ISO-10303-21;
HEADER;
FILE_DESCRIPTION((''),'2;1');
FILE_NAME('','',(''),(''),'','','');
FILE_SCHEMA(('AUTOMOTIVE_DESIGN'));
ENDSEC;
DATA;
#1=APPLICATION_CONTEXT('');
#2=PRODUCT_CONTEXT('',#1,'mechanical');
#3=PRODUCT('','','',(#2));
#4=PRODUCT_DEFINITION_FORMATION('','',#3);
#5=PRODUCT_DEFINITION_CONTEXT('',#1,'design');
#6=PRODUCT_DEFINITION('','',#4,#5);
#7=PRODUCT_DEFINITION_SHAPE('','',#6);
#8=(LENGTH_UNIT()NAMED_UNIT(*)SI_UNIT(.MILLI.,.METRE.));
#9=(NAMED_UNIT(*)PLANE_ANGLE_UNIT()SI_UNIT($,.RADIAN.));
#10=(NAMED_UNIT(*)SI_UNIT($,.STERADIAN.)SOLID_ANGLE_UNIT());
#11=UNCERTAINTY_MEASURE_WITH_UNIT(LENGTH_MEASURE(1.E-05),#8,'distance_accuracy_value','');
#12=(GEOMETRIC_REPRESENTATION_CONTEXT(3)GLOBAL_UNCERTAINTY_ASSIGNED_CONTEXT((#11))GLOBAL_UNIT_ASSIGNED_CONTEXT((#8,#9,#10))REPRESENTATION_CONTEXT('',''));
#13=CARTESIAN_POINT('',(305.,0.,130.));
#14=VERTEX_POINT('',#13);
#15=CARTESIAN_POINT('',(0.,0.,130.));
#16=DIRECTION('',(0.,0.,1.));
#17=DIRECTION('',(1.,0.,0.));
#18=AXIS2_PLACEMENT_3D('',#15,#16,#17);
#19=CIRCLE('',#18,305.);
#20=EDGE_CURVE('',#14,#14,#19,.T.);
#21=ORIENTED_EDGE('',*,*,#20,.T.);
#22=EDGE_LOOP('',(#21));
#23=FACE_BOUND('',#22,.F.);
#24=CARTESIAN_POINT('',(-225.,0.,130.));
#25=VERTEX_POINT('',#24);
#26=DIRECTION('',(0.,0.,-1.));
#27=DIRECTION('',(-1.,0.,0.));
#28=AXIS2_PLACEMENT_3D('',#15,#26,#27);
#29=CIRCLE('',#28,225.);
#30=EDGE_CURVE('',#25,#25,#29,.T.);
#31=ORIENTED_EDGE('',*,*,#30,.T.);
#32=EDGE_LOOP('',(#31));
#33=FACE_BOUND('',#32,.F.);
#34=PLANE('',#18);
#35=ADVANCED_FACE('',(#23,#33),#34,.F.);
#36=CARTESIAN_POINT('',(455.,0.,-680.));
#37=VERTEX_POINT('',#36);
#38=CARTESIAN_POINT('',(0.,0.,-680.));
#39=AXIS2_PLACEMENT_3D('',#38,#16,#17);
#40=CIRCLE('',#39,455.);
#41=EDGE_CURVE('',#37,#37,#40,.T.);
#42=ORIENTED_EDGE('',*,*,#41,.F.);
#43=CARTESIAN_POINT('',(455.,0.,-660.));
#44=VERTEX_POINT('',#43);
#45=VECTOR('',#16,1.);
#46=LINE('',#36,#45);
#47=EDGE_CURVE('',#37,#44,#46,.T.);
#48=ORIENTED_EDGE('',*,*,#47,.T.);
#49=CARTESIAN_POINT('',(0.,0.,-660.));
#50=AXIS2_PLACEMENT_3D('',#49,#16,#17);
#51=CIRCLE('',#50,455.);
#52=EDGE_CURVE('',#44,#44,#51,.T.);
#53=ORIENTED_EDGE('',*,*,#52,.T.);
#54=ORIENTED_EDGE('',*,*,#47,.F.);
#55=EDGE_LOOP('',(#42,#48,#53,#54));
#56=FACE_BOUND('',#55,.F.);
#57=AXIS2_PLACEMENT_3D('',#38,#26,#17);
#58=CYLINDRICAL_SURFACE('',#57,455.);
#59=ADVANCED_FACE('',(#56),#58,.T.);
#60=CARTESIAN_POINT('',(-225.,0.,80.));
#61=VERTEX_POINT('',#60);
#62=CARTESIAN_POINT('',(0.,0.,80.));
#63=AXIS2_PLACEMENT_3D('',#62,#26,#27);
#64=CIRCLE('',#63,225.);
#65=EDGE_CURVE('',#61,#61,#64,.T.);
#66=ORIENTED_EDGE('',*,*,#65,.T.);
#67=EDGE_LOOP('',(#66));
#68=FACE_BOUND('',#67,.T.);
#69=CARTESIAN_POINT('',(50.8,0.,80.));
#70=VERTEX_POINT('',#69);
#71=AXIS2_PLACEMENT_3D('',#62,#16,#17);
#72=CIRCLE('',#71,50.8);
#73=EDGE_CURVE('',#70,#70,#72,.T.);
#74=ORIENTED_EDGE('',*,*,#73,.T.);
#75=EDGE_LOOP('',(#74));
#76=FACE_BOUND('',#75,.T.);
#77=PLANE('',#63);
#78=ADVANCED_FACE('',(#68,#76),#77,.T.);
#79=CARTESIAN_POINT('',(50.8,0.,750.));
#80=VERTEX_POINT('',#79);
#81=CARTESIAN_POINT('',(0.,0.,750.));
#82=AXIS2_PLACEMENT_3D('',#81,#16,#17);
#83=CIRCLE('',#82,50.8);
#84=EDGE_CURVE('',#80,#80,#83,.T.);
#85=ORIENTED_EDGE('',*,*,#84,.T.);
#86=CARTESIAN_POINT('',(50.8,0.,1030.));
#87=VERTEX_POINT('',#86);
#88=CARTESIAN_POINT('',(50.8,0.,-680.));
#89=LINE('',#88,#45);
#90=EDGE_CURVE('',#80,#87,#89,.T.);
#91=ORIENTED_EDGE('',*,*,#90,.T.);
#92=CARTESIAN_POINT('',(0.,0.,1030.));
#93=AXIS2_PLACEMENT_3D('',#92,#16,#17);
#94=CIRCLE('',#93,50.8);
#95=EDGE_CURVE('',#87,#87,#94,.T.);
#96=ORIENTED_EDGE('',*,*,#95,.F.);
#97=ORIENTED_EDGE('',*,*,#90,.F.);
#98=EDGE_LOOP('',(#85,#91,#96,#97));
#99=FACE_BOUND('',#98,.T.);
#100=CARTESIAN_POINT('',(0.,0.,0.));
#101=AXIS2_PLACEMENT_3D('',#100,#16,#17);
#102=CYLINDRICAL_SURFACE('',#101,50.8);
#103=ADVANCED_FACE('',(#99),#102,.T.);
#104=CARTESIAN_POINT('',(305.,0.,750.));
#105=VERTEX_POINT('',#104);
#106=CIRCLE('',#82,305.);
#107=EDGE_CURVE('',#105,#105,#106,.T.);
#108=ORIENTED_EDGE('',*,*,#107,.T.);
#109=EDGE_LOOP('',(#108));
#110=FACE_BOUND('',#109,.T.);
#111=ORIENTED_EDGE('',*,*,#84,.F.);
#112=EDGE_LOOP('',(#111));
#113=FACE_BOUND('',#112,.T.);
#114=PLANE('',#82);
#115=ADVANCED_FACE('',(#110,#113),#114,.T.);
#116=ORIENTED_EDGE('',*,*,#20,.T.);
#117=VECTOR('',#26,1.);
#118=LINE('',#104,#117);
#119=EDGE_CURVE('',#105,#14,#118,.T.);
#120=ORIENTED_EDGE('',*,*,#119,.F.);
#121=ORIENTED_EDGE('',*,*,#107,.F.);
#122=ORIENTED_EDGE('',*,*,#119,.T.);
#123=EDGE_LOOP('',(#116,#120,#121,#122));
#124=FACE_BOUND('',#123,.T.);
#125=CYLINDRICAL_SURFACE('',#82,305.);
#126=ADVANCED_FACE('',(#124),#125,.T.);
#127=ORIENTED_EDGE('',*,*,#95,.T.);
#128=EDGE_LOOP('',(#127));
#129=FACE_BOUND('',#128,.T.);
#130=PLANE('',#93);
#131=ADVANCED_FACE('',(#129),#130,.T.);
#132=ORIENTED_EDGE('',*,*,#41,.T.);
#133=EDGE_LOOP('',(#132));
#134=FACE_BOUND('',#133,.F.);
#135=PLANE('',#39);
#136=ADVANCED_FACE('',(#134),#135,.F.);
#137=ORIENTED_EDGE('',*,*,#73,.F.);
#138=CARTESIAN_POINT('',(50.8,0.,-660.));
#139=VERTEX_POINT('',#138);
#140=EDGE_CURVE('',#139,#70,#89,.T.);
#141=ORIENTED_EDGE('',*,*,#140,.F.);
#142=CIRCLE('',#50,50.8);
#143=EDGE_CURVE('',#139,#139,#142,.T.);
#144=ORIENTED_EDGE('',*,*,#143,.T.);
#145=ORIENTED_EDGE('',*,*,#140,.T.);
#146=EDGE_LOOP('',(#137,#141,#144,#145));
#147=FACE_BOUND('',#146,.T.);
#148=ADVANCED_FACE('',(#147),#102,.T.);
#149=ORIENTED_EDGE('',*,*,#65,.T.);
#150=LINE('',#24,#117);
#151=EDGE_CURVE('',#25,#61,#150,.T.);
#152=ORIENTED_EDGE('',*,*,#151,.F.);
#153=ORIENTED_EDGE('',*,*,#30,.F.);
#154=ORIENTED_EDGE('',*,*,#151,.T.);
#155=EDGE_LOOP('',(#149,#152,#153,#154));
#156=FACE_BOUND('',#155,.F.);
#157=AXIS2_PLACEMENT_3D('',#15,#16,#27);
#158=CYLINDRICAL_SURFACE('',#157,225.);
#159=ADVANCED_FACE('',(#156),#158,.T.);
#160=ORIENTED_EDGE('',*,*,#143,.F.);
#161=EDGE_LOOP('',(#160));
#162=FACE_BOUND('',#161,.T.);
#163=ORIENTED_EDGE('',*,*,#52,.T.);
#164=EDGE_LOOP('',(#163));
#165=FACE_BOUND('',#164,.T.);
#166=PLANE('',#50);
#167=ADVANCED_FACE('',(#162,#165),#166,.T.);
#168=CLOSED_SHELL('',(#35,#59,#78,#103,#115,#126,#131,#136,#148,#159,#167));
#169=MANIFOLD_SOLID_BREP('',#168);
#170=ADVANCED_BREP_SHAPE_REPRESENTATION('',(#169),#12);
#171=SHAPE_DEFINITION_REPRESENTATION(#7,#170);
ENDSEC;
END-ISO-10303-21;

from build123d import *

# Parameters (mm, degrees)
SKETCH1_R                = 50.8
BOSS_EXTRUDE1_DEPTH      = 1030
BOSS_EXTRUDE1_DEPTH_BACK = 680
SKETCH2_R                = 455
BOSS_EXTRUDE2_DEPTH      = 20
BOSS_EXTRUDE3_START      = -280
SKETCH7_R                = 305
BOSS_EXTRUDE3_DEPTH      = 620
SKETCH8_R                = 225
BOSS_EXTRUDE4_DEPTH      = 50


with BuildPart() as part:
    # Sketch1 → Boss-Extrude1 (new body, two sides)
    with BuildSketch(Plane.XY) as boss_extrude1_sk:
        Circle(SKETCH1_R)
    extrude(amount=BOSS_EXTRUDE1_DEPTH)
    extrude(boss_extrude1_sk.sketch, amount=-BOSS_EXTRUDE1_DEPTH_BACK)

    # Sketch2 → Boss-Extrude2 (add)
    with BuildSketch(Plane.XY.offset(-680)):
        Circle(SKETCH2_R)
    extrude(amount=BOSS_EXTRUDE2_DEPTH)

    # Sketch7 → Boss-Extrude3 (add)
    with BuildSketch(Plane.XY.offset(1030).offset(BOSS_EXTRUDE3_START)):
        Circle(SKETCH7_R)
    extrude(amount=-BOSS_EXTRUDE3_DEPTH)

    # Sketch8 → Boss-Extrude4 (add)
    with BuildSketch(Plane(origin=(0, 0, 130), x_dir=(-1, 0, 0), z_dir=(0, 0, -1))):
        Circle(SKETCH8_R)
    extrude(amount=BOSS_EXTRUDE4_DEPTH)


solid = part.part
